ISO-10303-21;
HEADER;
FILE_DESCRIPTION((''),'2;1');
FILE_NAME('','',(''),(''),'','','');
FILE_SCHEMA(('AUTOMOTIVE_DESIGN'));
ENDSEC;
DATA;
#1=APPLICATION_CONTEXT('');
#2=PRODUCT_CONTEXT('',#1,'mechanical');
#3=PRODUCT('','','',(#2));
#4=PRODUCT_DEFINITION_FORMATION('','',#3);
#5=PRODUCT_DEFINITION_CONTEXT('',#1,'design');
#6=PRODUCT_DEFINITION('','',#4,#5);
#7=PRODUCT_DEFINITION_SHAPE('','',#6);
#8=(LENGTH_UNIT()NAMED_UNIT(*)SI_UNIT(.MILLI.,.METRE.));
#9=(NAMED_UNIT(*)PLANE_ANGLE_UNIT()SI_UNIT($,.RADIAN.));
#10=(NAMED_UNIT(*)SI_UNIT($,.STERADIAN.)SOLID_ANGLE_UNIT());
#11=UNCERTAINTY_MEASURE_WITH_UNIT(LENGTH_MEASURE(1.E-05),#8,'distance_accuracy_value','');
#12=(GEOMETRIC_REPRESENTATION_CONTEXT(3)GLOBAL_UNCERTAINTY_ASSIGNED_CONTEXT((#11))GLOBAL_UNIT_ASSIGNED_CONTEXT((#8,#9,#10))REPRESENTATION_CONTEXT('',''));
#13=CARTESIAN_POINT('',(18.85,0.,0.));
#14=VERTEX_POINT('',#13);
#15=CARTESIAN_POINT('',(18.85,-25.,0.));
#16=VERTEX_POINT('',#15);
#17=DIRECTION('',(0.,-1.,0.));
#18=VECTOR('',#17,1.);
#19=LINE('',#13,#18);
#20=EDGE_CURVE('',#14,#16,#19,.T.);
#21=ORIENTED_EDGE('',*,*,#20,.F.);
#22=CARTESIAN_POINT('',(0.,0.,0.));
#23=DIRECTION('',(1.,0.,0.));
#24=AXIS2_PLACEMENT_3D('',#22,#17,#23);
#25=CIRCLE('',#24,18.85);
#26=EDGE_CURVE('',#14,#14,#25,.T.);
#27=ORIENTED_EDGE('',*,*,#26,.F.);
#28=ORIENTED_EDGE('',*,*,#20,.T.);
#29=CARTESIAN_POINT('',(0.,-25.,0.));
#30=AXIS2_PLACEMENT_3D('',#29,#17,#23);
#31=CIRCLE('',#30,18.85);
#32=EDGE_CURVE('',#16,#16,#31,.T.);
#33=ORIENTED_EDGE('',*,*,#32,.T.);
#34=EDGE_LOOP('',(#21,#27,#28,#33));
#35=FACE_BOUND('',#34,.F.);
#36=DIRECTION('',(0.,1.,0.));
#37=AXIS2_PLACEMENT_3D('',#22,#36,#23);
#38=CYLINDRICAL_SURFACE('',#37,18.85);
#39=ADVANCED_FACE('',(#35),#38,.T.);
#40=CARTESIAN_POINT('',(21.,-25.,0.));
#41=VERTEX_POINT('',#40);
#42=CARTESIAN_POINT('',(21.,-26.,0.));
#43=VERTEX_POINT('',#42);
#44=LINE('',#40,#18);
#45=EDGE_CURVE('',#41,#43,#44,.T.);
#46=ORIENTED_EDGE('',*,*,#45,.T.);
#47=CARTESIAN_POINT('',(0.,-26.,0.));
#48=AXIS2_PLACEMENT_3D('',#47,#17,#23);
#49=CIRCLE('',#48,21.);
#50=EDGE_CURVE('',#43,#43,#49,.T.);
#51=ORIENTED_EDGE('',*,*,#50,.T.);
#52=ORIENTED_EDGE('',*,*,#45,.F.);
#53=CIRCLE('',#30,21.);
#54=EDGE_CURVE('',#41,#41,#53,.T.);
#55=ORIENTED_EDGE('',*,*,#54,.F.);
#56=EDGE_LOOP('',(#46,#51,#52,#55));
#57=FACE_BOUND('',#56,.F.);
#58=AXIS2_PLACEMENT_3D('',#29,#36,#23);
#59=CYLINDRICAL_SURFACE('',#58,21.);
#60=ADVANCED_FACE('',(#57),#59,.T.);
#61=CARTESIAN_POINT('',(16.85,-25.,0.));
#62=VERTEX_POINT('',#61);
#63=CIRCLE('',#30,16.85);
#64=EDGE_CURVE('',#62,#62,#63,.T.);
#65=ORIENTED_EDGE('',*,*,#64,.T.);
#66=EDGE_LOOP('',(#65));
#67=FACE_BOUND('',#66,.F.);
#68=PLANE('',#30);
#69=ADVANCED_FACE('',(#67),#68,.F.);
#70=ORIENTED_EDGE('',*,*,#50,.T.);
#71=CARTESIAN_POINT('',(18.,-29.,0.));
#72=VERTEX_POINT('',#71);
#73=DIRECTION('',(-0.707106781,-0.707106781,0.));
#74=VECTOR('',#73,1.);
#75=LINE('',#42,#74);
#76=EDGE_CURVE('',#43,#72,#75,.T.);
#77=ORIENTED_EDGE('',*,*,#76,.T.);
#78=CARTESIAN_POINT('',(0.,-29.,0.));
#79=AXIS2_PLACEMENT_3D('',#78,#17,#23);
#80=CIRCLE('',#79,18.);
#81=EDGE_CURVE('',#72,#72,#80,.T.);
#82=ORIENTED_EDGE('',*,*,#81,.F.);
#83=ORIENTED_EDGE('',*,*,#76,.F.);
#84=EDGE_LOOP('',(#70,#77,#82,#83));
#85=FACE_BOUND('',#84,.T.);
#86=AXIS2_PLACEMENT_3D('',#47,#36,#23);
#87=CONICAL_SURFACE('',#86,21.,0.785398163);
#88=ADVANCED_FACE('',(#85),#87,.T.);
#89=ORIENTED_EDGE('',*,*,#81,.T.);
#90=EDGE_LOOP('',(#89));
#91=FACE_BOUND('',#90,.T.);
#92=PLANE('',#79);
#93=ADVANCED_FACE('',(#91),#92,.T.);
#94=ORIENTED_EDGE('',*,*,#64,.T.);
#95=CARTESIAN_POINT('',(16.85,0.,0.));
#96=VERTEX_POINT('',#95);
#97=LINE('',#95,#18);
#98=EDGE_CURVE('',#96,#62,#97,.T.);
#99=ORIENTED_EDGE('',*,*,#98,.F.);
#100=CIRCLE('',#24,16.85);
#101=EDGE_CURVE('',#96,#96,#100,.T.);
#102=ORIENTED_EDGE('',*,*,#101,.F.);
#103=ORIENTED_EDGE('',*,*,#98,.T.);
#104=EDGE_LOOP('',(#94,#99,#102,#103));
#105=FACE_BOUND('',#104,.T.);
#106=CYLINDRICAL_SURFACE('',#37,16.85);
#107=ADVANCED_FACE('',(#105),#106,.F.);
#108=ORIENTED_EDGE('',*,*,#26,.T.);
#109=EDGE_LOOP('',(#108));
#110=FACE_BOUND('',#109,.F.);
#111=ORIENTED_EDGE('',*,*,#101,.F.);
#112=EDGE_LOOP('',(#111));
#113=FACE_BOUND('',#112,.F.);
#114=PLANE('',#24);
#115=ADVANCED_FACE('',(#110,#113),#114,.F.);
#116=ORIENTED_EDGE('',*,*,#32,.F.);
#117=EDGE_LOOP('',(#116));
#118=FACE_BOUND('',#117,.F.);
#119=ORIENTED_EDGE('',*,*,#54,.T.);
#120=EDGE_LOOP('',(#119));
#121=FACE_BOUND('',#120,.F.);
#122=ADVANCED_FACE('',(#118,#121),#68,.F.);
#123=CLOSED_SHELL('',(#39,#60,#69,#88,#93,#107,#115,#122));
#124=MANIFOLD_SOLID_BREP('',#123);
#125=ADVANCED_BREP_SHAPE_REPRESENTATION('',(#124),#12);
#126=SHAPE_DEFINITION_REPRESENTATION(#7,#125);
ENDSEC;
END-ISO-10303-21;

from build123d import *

# Parameters (mm, degrees)
F0_R     = 18.85
F0_R_2   = 16.85
F1_DEPTH = 25
F2_R     = 21
F3_DEPTH = 4
F4_SIZE  = 3


with BuildPart() as f1:
    # F0 (on Front) → F1 (new body)
    with BuildSketch(Plane.XZ):
        Circle(F0_R)
        Circle(F0_R_2, mode=Mode.SUBTRACT)
    extrude(amount=F1_DEPTH)

    # F2 (on face) → F3 (join)
    with BuildSketch(Plane.XZ.offset(25)):
        Circle(F2_R)
    extrude(amount=F3_DEPTH)

    # F4
    f4_edges = [f1.edges().sort_by_distance(p)[0] for p in [
        (-21, -29, 0),
    ]]
    chamfer(f4_edges, length=F4_SIZE)


solid = f1.part
